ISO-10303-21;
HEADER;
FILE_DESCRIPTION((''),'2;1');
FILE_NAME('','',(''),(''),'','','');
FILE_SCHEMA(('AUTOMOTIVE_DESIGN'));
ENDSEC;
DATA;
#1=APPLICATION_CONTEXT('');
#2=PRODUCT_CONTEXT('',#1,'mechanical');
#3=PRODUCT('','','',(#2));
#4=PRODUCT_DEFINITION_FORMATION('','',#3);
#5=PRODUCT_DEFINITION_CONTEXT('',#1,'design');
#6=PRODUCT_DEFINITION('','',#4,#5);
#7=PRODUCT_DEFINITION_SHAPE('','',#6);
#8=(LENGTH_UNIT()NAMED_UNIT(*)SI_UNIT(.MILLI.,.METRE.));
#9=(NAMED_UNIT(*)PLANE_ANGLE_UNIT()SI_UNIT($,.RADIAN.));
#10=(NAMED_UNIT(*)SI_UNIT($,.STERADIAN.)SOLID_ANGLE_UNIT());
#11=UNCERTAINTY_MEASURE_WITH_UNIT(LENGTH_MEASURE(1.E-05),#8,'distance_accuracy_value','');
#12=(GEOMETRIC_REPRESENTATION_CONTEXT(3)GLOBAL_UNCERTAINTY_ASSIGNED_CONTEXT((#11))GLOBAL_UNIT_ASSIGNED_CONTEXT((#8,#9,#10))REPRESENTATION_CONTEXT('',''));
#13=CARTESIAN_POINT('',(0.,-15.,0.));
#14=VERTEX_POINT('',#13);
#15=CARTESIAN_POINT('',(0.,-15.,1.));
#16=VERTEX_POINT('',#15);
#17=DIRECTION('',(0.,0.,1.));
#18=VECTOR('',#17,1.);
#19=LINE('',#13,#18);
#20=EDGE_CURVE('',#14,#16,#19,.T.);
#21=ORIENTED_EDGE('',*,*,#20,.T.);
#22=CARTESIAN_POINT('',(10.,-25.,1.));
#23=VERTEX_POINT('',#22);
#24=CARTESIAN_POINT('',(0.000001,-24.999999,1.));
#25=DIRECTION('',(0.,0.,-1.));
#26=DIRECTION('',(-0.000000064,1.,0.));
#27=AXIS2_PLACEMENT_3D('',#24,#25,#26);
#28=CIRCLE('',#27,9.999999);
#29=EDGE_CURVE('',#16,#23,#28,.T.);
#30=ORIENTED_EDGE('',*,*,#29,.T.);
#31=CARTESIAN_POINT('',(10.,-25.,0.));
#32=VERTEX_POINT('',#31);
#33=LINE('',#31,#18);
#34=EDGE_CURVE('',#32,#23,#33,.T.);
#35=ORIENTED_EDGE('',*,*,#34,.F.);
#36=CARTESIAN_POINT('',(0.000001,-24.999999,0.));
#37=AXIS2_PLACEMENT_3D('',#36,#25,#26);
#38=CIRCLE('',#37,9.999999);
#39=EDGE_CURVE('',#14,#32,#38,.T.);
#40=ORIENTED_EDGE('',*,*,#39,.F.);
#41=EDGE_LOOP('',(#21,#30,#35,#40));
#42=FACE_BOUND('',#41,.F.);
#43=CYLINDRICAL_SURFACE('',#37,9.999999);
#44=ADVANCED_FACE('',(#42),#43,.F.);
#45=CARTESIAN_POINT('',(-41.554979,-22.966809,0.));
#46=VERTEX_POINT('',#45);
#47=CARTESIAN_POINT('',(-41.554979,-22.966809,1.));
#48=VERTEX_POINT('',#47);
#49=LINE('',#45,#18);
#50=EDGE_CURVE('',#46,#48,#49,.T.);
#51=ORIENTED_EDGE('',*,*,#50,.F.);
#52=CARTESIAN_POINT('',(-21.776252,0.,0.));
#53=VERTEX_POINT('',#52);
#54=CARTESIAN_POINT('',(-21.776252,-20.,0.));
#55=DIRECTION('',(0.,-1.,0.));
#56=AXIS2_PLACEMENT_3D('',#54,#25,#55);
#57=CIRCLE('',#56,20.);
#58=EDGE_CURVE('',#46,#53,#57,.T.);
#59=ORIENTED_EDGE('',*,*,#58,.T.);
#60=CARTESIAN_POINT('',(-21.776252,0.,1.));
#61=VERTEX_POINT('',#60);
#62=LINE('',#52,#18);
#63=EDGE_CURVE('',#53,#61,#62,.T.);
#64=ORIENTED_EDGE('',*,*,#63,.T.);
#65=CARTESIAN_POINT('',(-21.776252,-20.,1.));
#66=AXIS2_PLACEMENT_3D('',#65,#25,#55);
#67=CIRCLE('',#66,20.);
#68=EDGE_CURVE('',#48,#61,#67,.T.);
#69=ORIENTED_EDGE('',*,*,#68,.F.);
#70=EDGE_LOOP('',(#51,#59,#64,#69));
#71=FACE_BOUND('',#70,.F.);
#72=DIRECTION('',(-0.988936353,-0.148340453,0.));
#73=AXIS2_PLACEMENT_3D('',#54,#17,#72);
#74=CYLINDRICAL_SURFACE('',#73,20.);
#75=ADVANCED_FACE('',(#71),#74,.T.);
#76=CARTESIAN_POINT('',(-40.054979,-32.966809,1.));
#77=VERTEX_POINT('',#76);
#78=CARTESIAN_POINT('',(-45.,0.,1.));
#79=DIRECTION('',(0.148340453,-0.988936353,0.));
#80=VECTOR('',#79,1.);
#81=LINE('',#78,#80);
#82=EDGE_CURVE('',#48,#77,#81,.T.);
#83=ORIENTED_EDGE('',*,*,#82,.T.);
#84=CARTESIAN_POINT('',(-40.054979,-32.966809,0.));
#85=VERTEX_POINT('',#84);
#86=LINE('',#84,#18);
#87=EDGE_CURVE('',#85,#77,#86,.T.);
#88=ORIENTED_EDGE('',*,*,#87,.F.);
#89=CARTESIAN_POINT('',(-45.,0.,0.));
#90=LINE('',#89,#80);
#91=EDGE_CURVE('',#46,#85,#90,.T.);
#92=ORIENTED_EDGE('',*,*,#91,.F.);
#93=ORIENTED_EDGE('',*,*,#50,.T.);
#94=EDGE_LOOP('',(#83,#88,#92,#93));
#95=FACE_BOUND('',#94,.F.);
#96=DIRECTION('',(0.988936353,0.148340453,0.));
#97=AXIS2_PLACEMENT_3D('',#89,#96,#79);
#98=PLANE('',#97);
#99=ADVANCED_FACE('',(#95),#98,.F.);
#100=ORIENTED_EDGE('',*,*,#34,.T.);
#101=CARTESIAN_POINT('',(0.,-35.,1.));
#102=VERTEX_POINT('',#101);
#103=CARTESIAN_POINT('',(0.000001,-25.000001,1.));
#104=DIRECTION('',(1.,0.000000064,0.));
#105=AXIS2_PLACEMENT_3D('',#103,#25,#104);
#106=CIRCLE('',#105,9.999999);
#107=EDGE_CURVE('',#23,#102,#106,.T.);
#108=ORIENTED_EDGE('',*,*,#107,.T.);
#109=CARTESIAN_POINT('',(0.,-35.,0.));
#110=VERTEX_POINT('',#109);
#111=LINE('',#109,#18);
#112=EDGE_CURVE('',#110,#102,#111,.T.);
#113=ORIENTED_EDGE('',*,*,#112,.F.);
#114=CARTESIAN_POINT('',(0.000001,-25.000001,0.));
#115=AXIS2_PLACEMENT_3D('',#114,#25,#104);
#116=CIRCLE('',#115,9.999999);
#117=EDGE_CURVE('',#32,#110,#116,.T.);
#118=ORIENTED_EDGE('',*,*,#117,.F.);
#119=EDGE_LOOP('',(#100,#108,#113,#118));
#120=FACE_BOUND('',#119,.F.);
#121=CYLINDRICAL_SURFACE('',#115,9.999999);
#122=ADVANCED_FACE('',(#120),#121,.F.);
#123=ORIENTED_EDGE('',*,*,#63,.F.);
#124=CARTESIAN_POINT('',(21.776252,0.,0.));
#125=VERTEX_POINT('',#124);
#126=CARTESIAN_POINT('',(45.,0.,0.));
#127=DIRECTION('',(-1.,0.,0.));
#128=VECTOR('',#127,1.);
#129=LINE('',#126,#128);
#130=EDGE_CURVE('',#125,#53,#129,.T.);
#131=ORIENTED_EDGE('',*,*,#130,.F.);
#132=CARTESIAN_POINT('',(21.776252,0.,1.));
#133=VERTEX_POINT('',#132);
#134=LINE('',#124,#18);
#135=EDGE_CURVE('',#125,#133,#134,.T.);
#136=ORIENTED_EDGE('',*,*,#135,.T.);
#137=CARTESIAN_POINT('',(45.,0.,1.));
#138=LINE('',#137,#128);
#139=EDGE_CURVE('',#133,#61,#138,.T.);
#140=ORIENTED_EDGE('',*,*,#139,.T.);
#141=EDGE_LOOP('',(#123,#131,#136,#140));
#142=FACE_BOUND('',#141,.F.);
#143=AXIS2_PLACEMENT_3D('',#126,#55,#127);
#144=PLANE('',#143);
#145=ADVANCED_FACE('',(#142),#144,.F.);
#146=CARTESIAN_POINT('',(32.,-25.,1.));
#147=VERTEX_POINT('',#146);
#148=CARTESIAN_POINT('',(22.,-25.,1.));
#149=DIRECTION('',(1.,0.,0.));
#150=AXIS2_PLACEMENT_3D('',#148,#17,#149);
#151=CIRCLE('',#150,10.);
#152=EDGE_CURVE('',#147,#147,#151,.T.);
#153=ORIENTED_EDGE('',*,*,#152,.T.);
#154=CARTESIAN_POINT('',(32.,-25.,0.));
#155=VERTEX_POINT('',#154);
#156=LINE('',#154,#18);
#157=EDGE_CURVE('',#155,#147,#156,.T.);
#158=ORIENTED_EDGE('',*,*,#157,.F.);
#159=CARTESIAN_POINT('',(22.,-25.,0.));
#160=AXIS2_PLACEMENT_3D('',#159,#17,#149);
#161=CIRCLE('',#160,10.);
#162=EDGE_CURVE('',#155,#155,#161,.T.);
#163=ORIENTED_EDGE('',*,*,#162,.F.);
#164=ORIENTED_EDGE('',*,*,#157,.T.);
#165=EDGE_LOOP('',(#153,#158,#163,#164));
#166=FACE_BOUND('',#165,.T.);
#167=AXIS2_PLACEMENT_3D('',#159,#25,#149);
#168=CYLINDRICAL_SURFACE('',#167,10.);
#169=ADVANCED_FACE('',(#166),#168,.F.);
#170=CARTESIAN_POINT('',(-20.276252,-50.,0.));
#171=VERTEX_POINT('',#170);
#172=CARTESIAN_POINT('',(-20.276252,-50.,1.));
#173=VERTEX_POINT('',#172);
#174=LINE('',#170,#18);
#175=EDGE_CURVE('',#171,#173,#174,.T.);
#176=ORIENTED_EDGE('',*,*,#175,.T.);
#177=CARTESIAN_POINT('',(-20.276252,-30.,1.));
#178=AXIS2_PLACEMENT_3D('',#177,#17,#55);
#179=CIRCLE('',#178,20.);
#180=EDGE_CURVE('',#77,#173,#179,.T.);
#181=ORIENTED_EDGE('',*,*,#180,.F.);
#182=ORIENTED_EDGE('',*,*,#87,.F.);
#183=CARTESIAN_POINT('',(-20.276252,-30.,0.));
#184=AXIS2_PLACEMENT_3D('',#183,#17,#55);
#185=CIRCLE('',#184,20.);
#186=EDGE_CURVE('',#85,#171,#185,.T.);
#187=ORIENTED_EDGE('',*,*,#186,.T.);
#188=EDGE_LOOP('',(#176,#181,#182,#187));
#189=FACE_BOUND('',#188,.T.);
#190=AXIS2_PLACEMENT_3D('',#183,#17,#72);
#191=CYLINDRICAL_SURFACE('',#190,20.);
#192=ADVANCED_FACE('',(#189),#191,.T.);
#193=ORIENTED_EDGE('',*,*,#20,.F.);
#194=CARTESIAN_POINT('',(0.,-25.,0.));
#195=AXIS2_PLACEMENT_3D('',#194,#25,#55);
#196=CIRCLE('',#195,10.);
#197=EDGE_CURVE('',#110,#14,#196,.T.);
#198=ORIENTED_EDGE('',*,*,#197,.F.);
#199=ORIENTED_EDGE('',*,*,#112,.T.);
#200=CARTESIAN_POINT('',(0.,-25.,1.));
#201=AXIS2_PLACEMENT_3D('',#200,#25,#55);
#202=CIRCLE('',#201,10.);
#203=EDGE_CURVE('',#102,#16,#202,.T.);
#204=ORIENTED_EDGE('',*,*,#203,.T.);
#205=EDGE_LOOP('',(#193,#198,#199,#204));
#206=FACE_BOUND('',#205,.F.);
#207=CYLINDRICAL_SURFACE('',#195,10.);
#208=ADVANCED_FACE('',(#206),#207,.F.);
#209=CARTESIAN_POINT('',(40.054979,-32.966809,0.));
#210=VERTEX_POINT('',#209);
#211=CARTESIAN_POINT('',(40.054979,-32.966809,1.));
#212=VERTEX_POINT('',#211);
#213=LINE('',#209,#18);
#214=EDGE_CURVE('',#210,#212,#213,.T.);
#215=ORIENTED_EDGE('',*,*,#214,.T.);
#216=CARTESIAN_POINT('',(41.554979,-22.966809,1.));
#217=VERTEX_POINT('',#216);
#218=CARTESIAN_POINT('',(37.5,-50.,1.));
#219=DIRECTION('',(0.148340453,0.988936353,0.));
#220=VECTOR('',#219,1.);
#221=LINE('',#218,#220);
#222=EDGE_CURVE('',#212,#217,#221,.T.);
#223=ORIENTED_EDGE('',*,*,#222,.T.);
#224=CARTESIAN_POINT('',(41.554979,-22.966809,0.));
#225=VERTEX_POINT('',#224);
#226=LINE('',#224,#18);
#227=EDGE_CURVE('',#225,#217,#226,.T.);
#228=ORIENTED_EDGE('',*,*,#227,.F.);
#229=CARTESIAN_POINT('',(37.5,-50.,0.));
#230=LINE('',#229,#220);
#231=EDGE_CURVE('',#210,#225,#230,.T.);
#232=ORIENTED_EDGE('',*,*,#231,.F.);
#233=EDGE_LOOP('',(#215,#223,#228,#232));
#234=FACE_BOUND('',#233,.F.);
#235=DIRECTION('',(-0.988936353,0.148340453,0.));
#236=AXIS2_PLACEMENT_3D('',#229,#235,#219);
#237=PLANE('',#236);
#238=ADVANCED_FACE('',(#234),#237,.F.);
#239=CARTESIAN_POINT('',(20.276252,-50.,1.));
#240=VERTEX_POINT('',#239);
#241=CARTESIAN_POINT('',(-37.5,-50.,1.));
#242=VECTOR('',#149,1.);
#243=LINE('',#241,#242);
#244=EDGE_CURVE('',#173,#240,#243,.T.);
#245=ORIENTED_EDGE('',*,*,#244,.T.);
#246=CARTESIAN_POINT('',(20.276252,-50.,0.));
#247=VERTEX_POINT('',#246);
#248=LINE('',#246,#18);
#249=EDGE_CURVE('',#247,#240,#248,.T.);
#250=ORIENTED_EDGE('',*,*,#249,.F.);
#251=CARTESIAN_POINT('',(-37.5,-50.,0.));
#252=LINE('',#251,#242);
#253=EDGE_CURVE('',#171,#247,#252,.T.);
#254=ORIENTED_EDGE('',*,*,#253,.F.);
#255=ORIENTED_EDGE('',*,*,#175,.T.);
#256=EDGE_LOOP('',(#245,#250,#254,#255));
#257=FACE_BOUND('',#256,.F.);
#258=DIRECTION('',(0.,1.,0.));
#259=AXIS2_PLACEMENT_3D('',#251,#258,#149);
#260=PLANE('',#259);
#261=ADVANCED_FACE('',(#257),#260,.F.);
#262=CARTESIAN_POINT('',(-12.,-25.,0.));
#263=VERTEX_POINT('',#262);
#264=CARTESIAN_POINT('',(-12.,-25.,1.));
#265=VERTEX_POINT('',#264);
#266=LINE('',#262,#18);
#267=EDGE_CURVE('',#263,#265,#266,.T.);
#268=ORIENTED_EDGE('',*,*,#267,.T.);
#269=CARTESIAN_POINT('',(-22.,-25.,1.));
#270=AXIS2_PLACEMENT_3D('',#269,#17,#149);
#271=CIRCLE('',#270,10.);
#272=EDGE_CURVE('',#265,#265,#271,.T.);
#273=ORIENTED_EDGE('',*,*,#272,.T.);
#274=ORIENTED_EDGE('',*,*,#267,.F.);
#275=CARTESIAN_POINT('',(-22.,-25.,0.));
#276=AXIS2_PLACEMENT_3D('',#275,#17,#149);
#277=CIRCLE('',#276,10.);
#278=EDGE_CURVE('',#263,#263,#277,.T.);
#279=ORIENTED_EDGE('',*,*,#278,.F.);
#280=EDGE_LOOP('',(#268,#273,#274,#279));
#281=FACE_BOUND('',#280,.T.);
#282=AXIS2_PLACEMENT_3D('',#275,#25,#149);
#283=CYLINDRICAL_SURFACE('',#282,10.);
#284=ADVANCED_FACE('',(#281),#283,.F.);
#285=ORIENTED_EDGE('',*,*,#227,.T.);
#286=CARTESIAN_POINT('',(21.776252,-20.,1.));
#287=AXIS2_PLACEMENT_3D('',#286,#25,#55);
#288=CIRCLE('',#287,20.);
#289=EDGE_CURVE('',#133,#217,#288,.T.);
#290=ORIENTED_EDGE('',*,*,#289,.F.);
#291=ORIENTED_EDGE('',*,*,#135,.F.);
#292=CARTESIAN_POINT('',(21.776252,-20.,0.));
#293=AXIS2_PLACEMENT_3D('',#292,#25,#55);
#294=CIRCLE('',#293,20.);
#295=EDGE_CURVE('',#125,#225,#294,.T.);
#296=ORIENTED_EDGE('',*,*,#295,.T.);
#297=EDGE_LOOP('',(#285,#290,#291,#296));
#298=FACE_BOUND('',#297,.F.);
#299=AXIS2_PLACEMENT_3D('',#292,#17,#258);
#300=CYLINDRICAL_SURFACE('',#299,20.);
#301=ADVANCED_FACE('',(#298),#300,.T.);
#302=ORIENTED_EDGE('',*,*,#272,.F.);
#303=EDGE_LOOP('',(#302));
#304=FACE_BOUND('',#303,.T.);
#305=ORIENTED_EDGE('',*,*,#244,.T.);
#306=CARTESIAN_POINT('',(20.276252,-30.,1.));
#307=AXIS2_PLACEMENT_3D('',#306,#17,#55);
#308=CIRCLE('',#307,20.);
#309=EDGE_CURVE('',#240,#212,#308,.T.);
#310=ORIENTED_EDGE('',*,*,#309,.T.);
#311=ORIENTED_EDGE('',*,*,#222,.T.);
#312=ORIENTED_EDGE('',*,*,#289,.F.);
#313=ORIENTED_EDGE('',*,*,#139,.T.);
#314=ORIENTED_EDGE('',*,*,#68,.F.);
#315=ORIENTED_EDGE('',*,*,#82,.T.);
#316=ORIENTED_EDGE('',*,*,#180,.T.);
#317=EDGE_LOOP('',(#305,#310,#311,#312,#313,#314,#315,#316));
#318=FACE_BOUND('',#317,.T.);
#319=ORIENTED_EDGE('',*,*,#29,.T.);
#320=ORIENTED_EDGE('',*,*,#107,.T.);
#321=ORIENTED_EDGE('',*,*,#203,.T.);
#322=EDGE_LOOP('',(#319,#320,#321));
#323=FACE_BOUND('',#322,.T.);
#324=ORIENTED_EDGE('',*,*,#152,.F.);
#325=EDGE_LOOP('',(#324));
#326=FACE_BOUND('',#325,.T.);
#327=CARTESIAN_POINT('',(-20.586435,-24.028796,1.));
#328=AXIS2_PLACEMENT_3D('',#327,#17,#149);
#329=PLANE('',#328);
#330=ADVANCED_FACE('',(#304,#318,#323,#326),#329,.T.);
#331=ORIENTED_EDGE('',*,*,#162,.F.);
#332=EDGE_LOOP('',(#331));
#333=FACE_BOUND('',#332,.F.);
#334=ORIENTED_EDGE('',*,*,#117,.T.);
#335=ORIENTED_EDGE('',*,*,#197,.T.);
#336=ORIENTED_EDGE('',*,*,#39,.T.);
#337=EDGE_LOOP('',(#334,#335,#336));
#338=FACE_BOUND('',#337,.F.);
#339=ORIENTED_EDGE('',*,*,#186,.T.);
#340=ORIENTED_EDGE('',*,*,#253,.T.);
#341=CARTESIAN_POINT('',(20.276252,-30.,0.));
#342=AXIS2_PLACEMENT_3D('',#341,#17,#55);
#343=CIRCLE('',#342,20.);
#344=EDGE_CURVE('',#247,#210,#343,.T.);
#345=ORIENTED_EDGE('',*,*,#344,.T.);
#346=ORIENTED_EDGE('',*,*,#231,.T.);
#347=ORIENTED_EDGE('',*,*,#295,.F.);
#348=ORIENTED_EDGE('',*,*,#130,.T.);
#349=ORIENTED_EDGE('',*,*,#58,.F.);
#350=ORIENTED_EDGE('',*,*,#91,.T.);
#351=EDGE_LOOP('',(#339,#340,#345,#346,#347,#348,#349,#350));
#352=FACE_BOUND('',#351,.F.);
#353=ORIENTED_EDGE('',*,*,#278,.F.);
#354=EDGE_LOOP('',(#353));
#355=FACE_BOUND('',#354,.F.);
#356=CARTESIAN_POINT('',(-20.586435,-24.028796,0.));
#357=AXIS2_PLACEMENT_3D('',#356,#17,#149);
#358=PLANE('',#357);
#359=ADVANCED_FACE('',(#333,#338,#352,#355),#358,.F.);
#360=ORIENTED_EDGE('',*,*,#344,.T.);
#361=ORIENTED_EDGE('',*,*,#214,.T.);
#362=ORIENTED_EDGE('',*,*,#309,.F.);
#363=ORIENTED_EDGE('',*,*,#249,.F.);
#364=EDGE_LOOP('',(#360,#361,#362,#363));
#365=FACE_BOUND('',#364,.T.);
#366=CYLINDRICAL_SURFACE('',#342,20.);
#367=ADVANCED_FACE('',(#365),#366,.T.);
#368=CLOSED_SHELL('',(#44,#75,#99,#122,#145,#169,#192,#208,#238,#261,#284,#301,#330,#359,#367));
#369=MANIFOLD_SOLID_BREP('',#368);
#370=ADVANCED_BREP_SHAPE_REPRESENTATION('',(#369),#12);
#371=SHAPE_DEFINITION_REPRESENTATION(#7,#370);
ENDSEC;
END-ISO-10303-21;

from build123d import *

# Parameters (mm, degrees)
F0_R     = 10
F1_DEPTH = 1
F2_R     = 20


with BuildPart() as f1:
    # F0 (on Top) → F1 (new body)
    with BuildSketch(Plane.XY):
        with BuildLine():
            Line((0, 0), (-45, 0))
            Line((-45, 0), (-37.5, -50))
            Line((-37.5, -50), (0, -50))
            Line((0, -50), (0, -35))
            ThreePointArc((0, -35), (-10, -25), (0, -15))
            Line((0, -15), (0, 0))
        make_face()
        with Locations((-22, -25)):
            Circle(F0_R, mode=Mode.SUBTRACT)
        with BuildLine():
            Line((45, 0), (0, 0))
            Line((0, 0), (0, -15))
            ThreePointArc((0, -15), (7.071068, -17.928932), (10, -25))
            ThreePointArc((10, -25), (7.071068, -32.071068), (0, -35))
            Line((0, -35), (0, -50))
            Line((0, -50), (37.5, -50))
            Line((37.5, -50), (45, 0))
        make_face()
        with Locations((22, -25)):
            Circle(F0_R, mode=Mode.SUBTRACT)
    extrude(amount=F1_DEPTH)

    # F2
    f2_edges = [f1.edges().sort_by_distance(p)[0] for p in [
        (-37.5, -50, 0.5),
        (37.5, -50, 0.5),
        (45, 0, 0.5),
        (-45, 0, 0.5),
    ]]
    fillet(f2_edges, radius=F2_R)


solid = f1.part
